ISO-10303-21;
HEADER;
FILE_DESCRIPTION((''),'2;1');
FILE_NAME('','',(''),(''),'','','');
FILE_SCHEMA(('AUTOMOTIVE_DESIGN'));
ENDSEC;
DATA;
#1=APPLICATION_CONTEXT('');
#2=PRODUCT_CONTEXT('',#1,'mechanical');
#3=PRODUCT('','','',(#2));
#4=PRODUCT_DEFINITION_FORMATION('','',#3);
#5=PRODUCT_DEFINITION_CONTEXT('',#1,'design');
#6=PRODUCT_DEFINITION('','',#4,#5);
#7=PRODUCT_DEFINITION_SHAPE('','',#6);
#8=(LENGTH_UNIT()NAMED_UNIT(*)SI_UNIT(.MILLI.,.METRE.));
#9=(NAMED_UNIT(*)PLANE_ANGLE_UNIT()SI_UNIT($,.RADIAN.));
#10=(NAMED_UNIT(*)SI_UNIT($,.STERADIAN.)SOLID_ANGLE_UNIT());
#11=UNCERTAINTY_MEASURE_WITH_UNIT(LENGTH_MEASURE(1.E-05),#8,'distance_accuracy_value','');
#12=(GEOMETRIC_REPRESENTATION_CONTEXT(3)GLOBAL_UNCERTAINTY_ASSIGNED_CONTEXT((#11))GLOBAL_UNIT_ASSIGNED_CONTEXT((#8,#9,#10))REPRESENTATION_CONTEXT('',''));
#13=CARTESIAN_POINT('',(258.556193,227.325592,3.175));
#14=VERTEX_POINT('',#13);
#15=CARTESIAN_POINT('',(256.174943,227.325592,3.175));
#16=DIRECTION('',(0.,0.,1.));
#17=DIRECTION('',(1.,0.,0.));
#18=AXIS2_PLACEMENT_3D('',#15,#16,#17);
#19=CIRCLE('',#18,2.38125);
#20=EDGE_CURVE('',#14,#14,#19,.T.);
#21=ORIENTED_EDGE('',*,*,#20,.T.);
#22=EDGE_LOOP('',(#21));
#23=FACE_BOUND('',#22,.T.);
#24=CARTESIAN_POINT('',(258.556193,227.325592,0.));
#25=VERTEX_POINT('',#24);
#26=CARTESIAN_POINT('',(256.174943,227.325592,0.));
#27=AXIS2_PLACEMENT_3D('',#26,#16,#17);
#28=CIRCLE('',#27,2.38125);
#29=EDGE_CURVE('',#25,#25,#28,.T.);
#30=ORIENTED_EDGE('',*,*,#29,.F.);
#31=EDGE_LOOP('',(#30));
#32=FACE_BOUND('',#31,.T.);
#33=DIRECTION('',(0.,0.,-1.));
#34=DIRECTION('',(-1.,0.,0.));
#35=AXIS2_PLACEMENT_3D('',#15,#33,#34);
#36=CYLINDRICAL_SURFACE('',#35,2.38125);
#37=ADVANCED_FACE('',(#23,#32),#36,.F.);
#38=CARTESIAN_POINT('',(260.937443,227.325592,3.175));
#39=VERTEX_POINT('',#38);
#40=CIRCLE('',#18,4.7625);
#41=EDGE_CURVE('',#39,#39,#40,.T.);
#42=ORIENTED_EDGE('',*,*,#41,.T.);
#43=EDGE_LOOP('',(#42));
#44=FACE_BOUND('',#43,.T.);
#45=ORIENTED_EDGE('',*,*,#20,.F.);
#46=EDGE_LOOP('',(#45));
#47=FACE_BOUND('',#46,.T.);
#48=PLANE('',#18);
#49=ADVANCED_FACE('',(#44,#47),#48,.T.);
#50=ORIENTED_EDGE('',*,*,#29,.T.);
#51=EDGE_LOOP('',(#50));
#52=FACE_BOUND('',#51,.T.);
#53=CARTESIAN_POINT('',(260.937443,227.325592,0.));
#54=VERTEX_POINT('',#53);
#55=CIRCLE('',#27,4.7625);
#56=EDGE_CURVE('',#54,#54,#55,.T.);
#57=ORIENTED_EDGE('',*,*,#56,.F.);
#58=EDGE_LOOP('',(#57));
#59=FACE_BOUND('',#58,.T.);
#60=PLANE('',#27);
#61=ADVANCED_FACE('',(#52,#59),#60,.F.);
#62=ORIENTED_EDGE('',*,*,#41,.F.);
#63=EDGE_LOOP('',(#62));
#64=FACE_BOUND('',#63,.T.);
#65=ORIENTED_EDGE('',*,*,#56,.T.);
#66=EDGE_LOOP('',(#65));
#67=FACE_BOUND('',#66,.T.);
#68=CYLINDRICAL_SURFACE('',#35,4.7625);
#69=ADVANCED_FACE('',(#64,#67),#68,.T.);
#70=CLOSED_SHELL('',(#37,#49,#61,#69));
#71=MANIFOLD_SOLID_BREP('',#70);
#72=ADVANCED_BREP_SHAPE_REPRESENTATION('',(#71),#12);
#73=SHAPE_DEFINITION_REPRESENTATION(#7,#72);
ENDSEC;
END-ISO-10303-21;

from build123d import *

# Parameters (mm, degrees)
SKETCH1_R           = 4.7625
SKETCH1_R_2         = 2.38125
BOSS_EXTRUDE1_DEPTH = 3.175


with BuildPart() as part:
    # Sketch1 → Boss-Extrude1 (new body)
    with BuildSketch(Plane.XY):
        with Locations((256.174942949, 227.325591656)):
            Circle(SKETCH1_R)
        with Locations((256.174942949, 227.325591656)):
            Circle(SKETCH1_R_2, mode=Mode.SUBTRACT)
    extrude(amount=BOSS_EXTRUDE1_DEPTH)


solid = part.part
